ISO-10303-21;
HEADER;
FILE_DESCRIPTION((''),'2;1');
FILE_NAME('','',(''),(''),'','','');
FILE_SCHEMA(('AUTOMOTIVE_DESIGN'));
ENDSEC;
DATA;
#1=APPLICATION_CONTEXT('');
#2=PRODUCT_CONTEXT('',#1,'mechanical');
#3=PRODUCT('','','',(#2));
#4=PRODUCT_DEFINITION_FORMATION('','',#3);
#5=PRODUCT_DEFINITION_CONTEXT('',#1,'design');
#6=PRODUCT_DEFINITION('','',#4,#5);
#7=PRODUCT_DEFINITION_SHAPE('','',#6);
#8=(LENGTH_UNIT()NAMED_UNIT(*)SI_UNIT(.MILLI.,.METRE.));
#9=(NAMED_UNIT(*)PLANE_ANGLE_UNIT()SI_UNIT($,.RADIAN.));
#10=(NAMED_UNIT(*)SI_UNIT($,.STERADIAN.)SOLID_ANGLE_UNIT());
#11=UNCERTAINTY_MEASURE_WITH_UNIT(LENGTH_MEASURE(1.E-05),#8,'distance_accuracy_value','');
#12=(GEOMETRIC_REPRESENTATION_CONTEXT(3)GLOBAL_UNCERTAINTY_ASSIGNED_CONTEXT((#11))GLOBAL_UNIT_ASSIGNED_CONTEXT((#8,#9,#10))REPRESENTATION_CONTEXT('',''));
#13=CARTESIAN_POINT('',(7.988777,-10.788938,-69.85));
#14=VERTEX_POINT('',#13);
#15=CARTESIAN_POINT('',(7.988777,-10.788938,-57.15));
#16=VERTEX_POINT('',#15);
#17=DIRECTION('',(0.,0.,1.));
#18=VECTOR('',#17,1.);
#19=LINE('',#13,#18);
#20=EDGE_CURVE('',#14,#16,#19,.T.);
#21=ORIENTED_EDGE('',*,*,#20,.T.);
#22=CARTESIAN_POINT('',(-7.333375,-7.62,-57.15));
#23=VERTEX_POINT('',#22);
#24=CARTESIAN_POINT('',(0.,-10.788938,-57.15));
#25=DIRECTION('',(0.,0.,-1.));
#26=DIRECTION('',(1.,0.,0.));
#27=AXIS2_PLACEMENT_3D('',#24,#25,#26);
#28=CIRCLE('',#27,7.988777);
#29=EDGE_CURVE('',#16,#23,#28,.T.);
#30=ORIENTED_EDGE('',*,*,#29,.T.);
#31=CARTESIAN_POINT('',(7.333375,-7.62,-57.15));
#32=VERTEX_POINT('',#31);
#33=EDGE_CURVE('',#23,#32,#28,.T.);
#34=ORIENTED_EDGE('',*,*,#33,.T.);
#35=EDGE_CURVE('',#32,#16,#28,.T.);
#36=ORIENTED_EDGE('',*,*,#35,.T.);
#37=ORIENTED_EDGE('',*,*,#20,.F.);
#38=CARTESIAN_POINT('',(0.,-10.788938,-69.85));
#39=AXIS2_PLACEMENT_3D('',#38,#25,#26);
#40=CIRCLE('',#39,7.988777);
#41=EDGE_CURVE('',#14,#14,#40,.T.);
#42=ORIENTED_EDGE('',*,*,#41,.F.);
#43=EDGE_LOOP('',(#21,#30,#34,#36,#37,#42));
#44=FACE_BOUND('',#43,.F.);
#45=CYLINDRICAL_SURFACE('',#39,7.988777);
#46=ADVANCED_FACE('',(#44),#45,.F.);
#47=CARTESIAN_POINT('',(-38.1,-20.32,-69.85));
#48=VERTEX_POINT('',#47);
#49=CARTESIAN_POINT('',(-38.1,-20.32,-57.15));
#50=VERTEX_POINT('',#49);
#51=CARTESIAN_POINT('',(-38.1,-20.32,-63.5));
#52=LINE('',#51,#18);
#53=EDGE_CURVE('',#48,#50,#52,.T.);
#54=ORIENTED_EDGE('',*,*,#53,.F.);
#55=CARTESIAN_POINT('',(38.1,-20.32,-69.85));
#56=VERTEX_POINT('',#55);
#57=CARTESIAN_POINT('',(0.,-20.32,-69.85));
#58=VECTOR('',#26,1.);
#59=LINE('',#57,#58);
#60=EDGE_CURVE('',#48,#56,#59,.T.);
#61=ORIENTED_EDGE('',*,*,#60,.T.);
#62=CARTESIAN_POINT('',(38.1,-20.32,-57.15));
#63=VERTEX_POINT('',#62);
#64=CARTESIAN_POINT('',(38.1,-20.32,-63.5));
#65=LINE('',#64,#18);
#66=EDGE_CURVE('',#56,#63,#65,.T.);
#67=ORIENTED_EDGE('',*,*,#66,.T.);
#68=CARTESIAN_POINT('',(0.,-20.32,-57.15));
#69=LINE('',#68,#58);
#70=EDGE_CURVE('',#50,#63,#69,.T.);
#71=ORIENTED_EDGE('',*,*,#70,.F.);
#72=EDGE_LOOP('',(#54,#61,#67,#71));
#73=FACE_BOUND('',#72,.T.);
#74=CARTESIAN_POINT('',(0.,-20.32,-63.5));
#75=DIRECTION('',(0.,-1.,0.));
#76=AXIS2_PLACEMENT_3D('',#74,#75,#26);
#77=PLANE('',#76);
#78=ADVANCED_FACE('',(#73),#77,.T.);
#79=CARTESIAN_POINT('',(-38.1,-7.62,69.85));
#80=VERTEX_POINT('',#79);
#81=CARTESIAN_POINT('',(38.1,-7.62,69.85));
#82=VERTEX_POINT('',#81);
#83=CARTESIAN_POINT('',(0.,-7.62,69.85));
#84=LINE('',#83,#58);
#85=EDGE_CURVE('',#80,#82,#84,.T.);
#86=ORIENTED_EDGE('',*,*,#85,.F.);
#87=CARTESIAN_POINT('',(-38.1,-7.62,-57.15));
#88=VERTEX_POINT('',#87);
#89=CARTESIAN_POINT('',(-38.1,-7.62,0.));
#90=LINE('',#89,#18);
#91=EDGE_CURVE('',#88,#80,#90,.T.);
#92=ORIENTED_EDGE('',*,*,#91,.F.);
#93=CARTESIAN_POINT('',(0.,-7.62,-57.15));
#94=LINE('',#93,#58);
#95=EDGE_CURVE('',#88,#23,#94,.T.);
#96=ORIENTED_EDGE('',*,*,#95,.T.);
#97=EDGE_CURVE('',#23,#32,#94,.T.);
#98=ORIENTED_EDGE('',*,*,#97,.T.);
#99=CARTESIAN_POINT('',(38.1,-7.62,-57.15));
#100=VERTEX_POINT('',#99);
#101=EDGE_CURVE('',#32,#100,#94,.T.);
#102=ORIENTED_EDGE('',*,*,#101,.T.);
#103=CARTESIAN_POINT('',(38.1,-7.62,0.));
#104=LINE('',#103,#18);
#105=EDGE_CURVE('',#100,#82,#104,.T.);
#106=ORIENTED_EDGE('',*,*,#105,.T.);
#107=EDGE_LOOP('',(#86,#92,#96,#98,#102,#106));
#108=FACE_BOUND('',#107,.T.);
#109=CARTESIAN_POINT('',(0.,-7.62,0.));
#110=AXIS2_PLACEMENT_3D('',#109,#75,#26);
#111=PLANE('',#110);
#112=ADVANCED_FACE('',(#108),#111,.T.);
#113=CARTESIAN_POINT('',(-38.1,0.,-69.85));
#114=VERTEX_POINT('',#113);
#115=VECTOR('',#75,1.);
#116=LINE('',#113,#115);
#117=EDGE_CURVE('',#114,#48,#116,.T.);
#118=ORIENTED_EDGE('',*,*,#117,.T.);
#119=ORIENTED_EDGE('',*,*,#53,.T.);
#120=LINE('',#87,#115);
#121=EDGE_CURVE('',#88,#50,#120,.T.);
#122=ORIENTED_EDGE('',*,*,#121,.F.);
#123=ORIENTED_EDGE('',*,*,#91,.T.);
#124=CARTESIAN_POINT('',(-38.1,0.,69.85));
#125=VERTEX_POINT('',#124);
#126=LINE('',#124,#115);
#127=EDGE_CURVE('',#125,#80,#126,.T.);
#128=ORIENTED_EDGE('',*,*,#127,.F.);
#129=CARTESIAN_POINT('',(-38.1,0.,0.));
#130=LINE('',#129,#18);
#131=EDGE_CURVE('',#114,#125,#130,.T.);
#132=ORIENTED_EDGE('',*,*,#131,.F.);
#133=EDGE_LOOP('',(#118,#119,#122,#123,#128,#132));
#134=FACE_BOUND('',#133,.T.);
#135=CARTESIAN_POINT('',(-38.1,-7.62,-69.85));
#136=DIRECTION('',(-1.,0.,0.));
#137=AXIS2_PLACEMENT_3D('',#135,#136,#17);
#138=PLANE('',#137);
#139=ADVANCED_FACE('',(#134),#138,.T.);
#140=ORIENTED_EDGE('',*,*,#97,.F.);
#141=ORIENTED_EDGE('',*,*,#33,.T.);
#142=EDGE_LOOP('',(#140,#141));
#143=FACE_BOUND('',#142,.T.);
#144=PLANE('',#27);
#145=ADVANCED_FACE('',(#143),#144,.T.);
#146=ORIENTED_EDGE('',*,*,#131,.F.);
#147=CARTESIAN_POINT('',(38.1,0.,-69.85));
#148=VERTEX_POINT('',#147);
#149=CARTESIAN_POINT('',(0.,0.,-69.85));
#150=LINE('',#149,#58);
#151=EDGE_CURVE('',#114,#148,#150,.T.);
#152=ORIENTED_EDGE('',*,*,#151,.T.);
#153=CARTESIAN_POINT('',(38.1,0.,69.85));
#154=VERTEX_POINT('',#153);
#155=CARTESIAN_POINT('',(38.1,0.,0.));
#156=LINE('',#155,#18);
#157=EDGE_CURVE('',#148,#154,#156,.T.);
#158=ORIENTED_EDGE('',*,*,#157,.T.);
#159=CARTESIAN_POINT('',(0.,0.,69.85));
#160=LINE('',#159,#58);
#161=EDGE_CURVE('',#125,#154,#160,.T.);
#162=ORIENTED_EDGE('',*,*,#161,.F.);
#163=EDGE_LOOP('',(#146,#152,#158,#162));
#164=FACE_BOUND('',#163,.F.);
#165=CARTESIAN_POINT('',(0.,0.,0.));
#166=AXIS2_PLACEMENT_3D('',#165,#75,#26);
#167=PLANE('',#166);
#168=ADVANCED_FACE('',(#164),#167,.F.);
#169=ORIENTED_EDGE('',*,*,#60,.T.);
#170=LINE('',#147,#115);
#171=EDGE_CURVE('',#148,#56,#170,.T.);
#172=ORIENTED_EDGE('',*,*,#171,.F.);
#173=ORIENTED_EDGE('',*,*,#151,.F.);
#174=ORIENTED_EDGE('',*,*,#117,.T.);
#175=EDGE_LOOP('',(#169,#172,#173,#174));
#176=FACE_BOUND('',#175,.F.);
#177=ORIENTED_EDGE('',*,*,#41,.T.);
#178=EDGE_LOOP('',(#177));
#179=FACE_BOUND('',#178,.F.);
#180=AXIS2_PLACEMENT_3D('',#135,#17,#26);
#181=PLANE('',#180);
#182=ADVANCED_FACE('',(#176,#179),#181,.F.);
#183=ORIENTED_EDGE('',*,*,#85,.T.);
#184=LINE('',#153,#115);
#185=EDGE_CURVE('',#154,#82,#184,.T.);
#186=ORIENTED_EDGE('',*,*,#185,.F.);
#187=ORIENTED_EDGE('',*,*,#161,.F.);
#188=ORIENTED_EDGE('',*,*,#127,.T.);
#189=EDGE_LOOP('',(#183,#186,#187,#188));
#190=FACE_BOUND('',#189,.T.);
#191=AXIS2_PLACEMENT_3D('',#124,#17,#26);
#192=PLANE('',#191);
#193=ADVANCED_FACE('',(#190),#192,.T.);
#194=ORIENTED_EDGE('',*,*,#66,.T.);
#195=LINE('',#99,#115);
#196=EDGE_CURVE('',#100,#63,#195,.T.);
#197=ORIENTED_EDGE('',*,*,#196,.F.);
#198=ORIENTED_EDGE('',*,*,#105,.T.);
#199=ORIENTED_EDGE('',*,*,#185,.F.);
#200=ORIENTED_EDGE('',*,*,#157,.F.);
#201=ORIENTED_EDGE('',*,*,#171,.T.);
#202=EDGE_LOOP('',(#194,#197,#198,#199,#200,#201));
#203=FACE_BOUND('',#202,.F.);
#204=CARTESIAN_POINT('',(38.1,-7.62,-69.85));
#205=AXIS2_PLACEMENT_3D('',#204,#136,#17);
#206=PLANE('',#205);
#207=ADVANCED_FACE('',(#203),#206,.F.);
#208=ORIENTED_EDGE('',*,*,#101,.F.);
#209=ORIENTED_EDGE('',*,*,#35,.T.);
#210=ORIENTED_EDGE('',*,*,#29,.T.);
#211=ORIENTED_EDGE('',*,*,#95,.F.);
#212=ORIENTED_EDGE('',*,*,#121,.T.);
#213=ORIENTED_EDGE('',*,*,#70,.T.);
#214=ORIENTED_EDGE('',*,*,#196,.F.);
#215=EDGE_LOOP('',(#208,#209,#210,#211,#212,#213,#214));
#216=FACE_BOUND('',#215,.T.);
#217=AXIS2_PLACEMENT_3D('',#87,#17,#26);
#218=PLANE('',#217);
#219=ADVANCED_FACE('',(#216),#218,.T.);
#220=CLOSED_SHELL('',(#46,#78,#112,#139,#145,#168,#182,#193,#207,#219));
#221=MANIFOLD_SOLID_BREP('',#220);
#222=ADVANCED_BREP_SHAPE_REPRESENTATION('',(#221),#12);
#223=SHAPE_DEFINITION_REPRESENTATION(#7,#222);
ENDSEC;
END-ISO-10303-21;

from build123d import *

# Parameters (mm, degrees)
F0_W     = 76.2
F0_H     = 139.7
F1_DEPTH = 7.62
F2_W     = 76.2
F2_H     = 12.7
F3_DEPTH = 12.7
F4_R     = 7.988777
F5_DEPTH = 12.7


with BuildPart() as f1:
    # F0 (on Front) → F1 (new body)
    with BuildSketch(Plane.XZ):
        Rectangle(F0_W, F0_H)
    extrude(amount=F1_DEPTH)

    # F2 (on face) → F3 (join)
    with BuildSketch(Plane.XZ.offset(7.62)):
        with Locations((0, -63.5)):
            Rectangle(F2_W, F2_H)
    extrude(amount=F3_DEPTH)

    # F4 (on face) → F5 (cut)
    with BuildSketch(Plane(origin=(0, 0, -69.85), x_dir=(1, 0, 0), z_dir=(0, 0, -1))):
        with Locations((0, 10.788938)):
            Circle(F4_R)
    extrude(amount=-F5_DEPTH, mode=Mode.SUBTRACT)


solid = f1.part
